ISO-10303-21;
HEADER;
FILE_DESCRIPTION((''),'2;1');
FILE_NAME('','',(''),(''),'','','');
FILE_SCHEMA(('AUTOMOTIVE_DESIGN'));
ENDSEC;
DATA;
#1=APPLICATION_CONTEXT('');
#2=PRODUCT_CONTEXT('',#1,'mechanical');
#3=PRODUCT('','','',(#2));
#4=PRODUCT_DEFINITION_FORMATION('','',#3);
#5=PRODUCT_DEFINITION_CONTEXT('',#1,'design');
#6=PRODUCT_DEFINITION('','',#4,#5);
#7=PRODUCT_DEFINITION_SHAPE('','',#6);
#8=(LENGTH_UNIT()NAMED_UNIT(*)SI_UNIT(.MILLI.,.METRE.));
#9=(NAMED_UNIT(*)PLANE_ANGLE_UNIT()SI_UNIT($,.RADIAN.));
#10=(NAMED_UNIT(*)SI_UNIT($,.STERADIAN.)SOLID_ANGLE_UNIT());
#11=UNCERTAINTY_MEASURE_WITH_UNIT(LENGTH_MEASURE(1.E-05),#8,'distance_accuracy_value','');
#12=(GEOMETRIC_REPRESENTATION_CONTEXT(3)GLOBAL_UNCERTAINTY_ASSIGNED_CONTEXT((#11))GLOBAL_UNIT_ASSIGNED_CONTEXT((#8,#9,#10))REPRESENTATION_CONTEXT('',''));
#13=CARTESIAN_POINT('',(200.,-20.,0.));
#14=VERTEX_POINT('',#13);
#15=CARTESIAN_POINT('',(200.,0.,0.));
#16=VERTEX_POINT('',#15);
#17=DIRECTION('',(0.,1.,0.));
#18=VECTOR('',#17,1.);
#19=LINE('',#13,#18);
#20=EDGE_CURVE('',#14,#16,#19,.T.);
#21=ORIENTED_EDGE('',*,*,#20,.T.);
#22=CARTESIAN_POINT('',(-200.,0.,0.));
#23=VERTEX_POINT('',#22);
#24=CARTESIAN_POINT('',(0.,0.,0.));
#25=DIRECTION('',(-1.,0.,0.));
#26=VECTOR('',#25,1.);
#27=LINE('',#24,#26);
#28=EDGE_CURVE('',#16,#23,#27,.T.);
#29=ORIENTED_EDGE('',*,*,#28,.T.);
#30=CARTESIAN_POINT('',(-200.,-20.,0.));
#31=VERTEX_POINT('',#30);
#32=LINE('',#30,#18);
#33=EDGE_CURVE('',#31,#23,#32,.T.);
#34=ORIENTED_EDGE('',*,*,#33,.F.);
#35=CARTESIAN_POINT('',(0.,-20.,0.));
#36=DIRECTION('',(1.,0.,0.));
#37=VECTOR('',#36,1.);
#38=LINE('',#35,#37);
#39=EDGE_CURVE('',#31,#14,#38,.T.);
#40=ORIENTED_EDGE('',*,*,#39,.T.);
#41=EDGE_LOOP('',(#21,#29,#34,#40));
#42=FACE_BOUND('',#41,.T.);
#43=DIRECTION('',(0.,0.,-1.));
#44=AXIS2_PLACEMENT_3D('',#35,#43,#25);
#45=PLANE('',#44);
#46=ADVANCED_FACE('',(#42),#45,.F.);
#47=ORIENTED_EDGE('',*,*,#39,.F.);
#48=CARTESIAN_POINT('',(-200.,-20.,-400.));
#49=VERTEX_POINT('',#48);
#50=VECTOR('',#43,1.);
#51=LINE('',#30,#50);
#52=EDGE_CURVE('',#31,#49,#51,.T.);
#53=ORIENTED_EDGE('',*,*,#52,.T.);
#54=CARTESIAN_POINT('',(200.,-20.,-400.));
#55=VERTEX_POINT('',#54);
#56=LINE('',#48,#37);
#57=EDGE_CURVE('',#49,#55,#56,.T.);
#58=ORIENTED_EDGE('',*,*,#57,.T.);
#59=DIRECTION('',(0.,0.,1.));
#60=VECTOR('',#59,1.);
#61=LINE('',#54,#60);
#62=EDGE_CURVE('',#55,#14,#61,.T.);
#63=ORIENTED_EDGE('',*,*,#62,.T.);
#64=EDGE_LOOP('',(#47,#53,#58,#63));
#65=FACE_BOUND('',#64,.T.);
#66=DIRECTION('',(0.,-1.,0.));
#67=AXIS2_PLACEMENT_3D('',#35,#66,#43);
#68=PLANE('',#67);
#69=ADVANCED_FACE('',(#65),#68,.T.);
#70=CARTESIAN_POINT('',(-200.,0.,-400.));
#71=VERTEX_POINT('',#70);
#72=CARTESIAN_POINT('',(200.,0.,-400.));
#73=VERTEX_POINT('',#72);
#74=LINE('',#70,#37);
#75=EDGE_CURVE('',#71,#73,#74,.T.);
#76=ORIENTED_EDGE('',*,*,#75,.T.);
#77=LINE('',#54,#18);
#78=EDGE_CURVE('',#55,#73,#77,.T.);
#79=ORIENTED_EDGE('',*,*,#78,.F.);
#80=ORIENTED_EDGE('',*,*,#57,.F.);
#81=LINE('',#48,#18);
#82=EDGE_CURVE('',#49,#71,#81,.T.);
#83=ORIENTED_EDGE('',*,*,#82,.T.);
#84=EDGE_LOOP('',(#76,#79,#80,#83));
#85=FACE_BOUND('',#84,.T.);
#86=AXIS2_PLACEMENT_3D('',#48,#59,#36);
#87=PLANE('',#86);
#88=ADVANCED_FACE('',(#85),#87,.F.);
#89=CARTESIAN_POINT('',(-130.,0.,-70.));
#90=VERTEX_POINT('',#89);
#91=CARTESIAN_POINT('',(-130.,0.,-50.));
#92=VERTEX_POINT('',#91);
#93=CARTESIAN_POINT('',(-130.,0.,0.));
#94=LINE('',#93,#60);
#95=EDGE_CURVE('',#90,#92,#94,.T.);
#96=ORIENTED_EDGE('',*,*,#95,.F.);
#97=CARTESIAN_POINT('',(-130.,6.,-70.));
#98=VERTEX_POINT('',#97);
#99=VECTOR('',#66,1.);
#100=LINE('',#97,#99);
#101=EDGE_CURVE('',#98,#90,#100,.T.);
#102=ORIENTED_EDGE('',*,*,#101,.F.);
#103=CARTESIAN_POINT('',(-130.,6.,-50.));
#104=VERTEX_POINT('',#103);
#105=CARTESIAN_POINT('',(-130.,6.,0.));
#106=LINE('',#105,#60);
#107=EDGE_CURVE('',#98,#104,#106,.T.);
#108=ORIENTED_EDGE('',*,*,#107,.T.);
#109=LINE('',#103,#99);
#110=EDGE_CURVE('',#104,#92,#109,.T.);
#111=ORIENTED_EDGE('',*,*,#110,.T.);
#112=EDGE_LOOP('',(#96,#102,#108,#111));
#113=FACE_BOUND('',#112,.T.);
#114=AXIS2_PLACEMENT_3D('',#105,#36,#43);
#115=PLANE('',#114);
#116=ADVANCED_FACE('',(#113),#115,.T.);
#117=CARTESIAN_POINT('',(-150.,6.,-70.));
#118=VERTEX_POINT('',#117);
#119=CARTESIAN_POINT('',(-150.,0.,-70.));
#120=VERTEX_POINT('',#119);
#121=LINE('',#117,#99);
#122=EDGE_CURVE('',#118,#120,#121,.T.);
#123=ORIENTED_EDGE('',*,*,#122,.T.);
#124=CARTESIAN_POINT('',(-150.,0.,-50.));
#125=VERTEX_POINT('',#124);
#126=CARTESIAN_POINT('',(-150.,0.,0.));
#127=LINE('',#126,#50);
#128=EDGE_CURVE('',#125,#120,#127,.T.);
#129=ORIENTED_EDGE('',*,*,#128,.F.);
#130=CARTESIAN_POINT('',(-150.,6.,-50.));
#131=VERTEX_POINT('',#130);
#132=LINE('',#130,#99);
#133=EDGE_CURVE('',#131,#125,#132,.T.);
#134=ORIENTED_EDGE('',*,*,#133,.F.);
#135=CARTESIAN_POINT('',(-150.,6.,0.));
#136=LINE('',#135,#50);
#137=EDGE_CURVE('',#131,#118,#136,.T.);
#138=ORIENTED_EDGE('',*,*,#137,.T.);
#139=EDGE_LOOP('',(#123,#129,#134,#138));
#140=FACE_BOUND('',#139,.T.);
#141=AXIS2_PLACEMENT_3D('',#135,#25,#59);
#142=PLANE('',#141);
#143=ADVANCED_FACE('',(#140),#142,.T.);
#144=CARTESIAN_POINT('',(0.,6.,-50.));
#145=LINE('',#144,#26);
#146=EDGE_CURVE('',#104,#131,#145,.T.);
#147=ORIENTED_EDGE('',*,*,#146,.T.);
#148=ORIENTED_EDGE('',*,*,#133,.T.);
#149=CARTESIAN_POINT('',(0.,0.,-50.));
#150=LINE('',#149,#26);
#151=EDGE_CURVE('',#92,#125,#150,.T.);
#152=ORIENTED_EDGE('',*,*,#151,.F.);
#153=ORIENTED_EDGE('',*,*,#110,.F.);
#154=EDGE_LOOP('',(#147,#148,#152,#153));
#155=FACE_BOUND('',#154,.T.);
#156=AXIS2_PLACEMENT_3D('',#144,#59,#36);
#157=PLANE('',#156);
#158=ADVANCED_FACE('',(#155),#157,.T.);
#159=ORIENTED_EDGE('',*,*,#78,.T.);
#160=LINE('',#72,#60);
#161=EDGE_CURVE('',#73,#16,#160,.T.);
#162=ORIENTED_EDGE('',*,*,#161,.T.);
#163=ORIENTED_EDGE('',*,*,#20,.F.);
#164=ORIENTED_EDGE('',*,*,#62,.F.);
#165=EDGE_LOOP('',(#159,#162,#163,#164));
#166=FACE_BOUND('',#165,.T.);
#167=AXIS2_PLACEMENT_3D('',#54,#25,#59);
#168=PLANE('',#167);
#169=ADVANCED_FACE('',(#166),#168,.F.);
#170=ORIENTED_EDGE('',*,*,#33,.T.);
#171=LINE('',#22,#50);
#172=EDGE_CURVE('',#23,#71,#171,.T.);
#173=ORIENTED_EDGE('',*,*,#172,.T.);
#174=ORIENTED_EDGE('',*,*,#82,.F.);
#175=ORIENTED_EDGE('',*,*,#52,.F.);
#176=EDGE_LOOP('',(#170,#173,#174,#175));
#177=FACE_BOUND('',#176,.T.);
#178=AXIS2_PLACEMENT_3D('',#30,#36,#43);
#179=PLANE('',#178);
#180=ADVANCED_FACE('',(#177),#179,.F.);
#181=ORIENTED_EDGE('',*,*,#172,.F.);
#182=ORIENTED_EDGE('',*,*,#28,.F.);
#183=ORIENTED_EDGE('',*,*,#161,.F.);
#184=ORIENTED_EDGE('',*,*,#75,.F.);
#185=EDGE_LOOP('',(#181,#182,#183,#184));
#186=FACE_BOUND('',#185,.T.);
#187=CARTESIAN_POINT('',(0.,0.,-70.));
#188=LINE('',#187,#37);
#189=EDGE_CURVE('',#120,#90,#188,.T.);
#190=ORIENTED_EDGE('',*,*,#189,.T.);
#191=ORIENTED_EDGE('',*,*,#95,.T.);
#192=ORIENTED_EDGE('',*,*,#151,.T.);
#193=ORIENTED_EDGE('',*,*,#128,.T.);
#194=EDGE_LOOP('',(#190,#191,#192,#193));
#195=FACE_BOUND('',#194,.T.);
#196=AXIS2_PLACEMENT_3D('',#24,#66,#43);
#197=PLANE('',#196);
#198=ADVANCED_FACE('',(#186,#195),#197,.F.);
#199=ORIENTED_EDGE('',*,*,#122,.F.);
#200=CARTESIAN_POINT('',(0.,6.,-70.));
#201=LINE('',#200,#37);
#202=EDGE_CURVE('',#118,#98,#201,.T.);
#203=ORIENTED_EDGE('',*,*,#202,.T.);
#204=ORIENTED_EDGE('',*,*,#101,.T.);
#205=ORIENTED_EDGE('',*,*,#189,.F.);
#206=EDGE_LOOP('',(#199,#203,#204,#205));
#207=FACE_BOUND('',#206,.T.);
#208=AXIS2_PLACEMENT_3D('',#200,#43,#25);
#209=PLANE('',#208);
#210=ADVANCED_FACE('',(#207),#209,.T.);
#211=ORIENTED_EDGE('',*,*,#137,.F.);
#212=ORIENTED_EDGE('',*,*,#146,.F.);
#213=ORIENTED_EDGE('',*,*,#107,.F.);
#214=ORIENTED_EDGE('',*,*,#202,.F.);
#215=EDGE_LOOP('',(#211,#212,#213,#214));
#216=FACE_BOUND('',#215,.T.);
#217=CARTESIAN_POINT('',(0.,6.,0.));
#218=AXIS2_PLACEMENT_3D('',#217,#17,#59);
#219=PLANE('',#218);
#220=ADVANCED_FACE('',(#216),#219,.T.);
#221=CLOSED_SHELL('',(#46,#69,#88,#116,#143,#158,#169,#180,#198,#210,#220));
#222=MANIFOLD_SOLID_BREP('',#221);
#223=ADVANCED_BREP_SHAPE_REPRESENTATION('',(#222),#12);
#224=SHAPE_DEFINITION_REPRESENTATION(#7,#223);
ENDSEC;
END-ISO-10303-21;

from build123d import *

# Parameters (mm, degrees)
BOSS_EXTRU_1_DEPTH = 20
ESQUISSE1_3_W      = 20
ESQUISSE1_3_H      = 20
BOSS_EXTRU_2_DEPTH = 6


with BuildPart() as part:
    # Esquisse1 → Boss.-Extru.1 (new body)
    with BuildSketch(Plane(origin=(0, 0, 0), x_dir=(1, 0, 0), z_dir=(0, 1, 0))):
        Polygon((0, 0), (200, 0), (200, 400), (-200, 400), (-200, 0), align=None)
    extrude(amount=-BOSS_EXTRU_1_DEPTH)

    # Esquisse1<3> → Boss.-Extru.2 (add)
    with BuildSketch(Plane(origin=(0, 0, 0), x_dir=(1, 0, 0), z_dir=(0, 1, 0))):
        with Locations((-140, 60)):
            Rectangle(ESQUISSE1_3_W, ESQUISSE1_3_H)
    extrude(amount=BOSS_EXTRU_2_DEPTH)


solid = part.part
